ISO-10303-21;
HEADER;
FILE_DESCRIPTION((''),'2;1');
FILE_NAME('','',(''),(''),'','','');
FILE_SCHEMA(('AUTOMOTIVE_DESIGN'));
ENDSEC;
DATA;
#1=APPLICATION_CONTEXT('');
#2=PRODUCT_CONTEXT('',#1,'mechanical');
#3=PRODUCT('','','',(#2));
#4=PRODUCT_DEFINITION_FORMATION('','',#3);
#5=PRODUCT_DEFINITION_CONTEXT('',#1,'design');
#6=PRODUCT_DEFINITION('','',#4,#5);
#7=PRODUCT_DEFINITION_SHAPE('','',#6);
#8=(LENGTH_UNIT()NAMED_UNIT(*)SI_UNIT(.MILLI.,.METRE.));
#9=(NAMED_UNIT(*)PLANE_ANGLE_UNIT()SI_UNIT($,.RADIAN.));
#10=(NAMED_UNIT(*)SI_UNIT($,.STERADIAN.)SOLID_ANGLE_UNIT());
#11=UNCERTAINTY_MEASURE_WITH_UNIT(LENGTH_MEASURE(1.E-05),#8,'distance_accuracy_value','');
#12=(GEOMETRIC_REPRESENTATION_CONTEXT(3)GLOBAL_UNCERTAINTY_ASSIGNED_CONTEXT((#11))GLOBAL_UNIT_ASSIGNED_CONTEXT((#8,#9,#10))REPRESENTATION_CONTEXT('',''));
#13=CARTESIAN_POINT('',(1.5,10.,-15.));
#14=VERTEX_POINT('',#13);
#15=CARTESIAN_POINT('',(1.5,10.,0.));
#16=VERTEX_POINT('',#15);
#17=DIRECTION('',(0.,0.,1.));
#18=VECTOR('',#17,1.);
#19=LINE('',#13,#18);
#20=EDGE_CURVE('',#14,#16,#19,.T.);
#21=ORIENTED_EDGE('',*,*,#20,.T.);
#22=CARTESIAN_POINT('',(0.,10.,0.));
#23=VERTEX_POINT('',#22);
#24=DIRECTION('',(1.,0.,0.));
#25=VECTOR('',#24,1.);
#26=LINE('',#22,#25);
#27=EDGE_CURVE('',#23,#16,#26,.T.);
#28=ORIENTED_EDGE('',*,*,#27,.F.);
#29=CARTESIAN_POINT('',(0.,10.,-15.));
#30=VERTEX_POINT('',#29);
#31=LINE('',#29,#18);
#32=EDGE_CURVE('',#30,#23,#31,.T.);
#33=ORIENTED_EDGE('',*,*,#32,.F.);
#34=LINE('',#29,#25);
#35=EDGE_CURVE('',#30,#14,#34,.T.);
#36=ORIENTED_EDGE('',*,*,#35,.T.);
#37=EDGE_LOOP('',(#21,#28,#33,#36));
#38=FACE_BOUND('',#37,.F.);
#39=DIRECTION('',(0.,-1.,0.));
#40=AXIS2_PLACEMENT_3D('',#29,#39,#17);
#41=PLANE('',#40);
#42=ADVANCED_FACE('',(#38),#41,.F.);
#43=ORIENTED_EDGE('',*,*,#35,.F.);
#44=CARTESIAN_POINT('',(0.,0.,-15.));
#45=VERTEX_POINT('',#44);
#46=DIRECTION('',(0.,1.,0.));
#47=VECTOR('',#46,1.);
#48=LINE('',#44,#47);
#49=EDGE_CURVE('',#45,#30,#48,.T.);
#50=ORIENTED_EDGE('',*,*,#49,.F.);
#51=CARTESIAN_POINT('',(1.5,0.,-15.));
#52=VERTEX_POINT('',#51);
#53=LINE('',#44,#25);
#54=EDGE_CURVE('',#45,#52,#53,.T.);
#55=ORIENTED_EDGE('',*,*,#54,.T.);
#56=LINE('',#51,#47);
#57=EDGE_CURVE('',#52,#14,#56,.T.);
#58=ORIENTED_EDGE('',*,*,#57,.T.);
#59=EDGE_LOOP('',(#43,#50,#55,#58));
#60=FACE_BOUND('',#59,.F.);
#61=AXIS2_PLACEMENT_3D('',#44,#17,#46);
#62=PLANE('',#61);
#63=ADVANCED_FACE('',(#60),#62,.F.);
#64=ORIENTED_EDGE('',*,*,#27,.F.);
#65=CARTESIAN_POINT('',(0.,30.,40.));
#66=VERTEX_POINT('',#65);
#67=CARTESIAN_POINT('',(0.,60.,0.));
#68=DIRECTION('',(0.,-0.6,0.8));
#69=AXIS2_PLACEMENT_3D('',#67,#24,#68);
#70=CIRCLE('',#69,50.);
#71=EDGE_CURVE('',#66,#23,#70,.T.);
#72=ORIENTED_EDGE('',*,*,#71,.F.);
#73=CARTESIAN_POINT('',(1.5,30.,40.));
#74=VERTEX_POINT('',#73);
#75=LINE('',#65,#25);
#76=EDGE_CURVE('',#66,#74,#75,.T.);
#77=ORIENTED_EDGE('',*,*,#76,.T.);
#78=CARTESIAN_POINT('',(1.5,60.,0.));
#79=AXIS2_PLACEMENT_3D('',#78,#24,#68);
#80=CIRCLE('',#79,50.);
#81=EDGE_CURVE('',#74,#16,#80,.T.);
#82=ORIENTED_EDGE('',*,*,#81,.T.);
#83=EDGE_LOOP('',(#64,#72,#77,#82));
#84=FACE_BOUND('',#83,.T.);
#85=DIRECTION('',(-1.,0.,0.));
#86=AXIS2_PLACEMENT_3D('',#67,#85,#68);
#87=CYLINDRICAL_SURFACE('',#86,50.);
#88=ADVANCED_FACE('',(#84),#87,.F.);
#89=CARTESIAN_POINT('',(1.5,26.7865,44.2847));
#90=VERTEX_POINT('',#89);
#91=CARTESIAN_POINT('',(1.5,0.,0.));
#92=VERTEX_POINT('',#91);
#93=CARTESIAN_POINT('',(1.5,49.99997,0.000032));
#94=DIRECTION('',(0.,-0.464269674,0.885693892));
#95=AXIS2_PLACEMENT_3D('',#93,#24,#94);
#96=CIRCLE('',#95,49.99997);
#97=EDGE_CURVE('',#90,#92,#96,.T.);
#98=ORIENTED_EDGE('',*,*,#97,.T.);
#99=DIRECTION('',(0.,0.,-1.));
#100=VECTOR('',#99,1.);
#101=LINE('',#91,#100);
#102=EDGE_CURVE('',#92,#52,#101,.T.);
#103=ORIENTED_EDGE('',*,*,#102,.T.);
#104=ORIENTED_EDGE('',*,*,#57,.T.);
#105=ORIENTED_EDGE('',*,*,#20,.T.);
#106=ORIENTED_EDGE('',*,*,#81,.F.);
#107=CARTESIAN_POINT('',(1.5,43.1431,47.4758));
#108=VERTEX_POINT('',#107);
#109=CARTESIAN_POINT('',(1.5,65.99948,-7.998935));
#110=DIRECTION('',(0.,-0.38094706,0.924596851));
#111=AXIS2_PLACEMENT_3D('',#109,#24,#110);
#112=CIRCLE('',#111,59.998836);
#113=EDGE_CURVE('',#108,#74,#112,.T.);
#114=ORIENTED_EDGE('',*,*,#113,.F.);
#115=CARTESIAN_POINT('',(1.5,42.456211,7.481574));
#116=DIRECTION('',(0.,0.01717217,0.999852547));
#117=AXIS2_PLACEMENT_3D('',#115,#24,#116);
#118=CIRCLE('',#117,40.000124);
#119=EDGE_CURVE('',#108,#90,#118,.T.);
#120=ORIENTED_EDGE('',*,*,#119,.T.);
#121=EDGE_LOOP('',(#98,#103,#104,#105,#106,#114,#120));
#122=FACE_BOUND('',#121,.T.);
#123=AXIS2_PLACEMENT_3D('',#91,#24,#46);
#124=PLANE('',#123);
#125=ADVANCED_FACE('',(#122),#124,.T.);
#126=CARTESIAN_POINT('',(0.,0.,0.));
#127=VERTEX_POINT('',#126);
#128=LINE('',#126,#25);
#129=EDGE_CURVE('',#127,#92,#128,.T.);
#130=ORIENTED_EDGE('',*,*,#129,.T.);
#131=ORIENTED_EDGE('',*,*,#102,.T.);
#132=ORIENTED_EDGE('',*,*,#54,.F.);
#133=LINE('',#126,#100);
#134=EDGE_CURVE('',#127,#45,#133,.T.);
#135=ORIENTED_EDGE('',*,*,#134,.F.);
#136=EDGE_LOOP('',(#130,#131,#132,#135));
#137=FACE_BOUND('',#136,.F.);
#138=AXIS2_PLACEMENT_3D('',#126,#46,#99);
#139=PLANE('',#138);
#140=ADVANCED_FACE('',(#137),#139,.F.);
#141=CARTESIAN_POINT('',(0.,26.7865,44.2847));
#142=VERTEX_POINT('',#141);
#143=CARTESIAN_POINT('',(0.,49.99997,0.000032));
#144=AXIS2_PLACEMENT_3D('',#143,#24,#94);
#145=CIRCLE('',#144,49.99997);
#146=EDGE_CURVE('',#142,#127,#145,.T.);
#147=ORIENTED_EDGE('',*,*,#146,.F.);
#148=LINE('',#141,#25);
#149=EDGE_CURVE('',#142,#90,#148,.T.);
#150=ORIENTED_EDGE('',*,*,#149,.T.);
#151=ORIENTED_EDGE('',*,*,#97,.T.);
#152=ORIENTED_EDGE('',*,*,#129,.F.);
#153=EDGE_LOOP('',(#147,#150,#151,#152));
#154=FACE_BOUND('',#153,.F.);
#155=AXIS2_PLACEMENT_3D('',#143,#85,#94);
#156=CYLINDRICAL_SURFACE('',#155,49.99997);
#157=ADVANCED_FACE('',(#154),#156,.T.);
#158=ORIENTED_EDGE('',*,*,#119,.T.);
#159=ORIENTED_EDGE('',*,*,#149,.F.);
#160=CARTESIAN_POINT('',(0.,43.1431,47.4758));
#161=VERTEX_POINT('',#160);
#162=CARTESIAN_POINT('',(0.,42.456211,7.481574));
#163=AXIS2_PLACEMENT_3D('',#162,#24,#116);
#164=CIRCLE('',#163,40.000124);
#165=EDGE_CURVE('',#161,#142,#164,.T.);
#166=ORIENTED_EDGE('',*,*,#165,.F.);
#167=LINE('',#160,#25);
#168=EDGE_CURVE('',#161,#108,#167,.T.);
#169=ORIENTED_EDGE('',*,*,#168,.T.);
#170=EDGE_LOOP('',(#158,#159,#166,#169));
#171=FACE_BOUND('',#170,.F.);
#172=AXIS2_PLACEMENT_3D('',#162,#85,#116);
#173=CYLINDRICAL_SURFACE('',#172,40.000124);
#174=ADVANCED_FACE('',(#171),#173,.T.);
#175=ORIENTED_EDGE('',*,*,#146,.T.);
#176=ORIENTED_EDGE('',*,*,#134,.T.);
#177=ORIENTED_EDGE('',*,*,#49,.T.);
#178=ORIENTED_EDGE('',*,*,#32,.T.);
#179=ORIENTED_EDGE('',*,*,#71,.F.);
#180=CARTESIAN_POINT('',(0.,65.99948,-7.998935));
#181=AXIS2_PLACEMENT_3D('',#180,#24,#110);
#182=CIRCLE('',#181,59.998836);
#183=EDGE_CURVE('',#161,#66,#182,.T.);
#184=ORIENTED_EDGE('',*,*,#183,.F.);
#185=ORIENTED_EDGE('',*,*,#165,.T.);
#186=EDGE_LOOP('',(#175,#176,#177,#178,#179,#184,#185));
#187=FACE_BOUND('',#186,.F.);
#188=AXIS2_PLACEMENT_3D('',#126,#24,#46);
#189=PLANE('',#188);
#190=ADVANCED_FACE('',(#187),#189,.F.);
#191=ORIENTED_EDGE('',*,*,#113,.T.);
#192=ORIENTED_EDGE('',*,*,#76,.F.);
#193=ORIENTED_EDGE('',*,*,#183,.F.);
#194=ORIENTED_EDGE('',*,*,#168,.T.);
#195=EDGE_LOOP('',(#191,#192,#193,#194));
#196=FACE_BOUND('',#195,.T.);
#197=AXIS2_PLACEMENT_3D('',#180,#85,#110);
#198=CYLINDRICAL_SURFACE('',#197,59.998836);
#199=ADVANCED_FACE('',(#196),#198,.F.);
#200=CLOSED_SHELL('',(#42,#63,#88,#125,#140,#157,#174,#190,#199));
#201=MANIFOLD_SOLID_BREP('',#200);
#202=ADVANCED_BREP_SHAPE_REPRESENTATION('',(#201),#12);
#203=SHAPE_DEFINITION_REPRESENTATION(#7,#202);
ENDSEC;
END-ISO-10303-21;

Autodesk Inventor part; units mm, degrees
ref_plane "YZ Plane" through (0, 0, 0) normal (1, 0, 0) x (0, 1, 0)
ref_plane "XZ Plane" through (0, 0, 0) normal (0, 1, 0) x (-1, 0, 0)
ref_plane "XY Plane" through (0, 0, 0) normal (0, 0, 1) x (1, 0, 0)
sketch "スケッチ1" plane through (0, 0, 0) normal (1, 0, 0) x (0, 1, 0)
  line L0 (10, 0) -> (0, 0)
  line L1 (0, 0) -> (0, -15)
  line L2 (0, -15) -> (10, -15)
  line L3 (10, -15) -> (10, 0)
  arc A0 (30, 40) -> (10, 0) centre (60, 0) ccw
  arc A1 (26.7865, 44.2847) -> (0, 0) centre (50, 0) ccw
  line L4 (30, 40) -> (26.7865, 44.2847)
  line L5 (60, 0) -> (30, 40) construction
  arc A2 (43.1431, 47.4758) -> (30, 40) centre (66, -8) ccw
  arc A3 (43.1431, 47.4758) -> (26.7865, 44.2847) centre (42.4562, 7.4817) ccw
  dimension "d0" = 10
  dimension "d1" = 15
  dimension "d2" = 50
  dimension "d3" = 50
  dimension "d5" = 40
  dimension "d6" = 15
  dimension "d7" = 40
  dimension "d10" = 60
extrude "押し出し1" add sketch "スケッチ1" along normal blind 1.5
equation "\"d3\" = d2"
properties part number "claw"
